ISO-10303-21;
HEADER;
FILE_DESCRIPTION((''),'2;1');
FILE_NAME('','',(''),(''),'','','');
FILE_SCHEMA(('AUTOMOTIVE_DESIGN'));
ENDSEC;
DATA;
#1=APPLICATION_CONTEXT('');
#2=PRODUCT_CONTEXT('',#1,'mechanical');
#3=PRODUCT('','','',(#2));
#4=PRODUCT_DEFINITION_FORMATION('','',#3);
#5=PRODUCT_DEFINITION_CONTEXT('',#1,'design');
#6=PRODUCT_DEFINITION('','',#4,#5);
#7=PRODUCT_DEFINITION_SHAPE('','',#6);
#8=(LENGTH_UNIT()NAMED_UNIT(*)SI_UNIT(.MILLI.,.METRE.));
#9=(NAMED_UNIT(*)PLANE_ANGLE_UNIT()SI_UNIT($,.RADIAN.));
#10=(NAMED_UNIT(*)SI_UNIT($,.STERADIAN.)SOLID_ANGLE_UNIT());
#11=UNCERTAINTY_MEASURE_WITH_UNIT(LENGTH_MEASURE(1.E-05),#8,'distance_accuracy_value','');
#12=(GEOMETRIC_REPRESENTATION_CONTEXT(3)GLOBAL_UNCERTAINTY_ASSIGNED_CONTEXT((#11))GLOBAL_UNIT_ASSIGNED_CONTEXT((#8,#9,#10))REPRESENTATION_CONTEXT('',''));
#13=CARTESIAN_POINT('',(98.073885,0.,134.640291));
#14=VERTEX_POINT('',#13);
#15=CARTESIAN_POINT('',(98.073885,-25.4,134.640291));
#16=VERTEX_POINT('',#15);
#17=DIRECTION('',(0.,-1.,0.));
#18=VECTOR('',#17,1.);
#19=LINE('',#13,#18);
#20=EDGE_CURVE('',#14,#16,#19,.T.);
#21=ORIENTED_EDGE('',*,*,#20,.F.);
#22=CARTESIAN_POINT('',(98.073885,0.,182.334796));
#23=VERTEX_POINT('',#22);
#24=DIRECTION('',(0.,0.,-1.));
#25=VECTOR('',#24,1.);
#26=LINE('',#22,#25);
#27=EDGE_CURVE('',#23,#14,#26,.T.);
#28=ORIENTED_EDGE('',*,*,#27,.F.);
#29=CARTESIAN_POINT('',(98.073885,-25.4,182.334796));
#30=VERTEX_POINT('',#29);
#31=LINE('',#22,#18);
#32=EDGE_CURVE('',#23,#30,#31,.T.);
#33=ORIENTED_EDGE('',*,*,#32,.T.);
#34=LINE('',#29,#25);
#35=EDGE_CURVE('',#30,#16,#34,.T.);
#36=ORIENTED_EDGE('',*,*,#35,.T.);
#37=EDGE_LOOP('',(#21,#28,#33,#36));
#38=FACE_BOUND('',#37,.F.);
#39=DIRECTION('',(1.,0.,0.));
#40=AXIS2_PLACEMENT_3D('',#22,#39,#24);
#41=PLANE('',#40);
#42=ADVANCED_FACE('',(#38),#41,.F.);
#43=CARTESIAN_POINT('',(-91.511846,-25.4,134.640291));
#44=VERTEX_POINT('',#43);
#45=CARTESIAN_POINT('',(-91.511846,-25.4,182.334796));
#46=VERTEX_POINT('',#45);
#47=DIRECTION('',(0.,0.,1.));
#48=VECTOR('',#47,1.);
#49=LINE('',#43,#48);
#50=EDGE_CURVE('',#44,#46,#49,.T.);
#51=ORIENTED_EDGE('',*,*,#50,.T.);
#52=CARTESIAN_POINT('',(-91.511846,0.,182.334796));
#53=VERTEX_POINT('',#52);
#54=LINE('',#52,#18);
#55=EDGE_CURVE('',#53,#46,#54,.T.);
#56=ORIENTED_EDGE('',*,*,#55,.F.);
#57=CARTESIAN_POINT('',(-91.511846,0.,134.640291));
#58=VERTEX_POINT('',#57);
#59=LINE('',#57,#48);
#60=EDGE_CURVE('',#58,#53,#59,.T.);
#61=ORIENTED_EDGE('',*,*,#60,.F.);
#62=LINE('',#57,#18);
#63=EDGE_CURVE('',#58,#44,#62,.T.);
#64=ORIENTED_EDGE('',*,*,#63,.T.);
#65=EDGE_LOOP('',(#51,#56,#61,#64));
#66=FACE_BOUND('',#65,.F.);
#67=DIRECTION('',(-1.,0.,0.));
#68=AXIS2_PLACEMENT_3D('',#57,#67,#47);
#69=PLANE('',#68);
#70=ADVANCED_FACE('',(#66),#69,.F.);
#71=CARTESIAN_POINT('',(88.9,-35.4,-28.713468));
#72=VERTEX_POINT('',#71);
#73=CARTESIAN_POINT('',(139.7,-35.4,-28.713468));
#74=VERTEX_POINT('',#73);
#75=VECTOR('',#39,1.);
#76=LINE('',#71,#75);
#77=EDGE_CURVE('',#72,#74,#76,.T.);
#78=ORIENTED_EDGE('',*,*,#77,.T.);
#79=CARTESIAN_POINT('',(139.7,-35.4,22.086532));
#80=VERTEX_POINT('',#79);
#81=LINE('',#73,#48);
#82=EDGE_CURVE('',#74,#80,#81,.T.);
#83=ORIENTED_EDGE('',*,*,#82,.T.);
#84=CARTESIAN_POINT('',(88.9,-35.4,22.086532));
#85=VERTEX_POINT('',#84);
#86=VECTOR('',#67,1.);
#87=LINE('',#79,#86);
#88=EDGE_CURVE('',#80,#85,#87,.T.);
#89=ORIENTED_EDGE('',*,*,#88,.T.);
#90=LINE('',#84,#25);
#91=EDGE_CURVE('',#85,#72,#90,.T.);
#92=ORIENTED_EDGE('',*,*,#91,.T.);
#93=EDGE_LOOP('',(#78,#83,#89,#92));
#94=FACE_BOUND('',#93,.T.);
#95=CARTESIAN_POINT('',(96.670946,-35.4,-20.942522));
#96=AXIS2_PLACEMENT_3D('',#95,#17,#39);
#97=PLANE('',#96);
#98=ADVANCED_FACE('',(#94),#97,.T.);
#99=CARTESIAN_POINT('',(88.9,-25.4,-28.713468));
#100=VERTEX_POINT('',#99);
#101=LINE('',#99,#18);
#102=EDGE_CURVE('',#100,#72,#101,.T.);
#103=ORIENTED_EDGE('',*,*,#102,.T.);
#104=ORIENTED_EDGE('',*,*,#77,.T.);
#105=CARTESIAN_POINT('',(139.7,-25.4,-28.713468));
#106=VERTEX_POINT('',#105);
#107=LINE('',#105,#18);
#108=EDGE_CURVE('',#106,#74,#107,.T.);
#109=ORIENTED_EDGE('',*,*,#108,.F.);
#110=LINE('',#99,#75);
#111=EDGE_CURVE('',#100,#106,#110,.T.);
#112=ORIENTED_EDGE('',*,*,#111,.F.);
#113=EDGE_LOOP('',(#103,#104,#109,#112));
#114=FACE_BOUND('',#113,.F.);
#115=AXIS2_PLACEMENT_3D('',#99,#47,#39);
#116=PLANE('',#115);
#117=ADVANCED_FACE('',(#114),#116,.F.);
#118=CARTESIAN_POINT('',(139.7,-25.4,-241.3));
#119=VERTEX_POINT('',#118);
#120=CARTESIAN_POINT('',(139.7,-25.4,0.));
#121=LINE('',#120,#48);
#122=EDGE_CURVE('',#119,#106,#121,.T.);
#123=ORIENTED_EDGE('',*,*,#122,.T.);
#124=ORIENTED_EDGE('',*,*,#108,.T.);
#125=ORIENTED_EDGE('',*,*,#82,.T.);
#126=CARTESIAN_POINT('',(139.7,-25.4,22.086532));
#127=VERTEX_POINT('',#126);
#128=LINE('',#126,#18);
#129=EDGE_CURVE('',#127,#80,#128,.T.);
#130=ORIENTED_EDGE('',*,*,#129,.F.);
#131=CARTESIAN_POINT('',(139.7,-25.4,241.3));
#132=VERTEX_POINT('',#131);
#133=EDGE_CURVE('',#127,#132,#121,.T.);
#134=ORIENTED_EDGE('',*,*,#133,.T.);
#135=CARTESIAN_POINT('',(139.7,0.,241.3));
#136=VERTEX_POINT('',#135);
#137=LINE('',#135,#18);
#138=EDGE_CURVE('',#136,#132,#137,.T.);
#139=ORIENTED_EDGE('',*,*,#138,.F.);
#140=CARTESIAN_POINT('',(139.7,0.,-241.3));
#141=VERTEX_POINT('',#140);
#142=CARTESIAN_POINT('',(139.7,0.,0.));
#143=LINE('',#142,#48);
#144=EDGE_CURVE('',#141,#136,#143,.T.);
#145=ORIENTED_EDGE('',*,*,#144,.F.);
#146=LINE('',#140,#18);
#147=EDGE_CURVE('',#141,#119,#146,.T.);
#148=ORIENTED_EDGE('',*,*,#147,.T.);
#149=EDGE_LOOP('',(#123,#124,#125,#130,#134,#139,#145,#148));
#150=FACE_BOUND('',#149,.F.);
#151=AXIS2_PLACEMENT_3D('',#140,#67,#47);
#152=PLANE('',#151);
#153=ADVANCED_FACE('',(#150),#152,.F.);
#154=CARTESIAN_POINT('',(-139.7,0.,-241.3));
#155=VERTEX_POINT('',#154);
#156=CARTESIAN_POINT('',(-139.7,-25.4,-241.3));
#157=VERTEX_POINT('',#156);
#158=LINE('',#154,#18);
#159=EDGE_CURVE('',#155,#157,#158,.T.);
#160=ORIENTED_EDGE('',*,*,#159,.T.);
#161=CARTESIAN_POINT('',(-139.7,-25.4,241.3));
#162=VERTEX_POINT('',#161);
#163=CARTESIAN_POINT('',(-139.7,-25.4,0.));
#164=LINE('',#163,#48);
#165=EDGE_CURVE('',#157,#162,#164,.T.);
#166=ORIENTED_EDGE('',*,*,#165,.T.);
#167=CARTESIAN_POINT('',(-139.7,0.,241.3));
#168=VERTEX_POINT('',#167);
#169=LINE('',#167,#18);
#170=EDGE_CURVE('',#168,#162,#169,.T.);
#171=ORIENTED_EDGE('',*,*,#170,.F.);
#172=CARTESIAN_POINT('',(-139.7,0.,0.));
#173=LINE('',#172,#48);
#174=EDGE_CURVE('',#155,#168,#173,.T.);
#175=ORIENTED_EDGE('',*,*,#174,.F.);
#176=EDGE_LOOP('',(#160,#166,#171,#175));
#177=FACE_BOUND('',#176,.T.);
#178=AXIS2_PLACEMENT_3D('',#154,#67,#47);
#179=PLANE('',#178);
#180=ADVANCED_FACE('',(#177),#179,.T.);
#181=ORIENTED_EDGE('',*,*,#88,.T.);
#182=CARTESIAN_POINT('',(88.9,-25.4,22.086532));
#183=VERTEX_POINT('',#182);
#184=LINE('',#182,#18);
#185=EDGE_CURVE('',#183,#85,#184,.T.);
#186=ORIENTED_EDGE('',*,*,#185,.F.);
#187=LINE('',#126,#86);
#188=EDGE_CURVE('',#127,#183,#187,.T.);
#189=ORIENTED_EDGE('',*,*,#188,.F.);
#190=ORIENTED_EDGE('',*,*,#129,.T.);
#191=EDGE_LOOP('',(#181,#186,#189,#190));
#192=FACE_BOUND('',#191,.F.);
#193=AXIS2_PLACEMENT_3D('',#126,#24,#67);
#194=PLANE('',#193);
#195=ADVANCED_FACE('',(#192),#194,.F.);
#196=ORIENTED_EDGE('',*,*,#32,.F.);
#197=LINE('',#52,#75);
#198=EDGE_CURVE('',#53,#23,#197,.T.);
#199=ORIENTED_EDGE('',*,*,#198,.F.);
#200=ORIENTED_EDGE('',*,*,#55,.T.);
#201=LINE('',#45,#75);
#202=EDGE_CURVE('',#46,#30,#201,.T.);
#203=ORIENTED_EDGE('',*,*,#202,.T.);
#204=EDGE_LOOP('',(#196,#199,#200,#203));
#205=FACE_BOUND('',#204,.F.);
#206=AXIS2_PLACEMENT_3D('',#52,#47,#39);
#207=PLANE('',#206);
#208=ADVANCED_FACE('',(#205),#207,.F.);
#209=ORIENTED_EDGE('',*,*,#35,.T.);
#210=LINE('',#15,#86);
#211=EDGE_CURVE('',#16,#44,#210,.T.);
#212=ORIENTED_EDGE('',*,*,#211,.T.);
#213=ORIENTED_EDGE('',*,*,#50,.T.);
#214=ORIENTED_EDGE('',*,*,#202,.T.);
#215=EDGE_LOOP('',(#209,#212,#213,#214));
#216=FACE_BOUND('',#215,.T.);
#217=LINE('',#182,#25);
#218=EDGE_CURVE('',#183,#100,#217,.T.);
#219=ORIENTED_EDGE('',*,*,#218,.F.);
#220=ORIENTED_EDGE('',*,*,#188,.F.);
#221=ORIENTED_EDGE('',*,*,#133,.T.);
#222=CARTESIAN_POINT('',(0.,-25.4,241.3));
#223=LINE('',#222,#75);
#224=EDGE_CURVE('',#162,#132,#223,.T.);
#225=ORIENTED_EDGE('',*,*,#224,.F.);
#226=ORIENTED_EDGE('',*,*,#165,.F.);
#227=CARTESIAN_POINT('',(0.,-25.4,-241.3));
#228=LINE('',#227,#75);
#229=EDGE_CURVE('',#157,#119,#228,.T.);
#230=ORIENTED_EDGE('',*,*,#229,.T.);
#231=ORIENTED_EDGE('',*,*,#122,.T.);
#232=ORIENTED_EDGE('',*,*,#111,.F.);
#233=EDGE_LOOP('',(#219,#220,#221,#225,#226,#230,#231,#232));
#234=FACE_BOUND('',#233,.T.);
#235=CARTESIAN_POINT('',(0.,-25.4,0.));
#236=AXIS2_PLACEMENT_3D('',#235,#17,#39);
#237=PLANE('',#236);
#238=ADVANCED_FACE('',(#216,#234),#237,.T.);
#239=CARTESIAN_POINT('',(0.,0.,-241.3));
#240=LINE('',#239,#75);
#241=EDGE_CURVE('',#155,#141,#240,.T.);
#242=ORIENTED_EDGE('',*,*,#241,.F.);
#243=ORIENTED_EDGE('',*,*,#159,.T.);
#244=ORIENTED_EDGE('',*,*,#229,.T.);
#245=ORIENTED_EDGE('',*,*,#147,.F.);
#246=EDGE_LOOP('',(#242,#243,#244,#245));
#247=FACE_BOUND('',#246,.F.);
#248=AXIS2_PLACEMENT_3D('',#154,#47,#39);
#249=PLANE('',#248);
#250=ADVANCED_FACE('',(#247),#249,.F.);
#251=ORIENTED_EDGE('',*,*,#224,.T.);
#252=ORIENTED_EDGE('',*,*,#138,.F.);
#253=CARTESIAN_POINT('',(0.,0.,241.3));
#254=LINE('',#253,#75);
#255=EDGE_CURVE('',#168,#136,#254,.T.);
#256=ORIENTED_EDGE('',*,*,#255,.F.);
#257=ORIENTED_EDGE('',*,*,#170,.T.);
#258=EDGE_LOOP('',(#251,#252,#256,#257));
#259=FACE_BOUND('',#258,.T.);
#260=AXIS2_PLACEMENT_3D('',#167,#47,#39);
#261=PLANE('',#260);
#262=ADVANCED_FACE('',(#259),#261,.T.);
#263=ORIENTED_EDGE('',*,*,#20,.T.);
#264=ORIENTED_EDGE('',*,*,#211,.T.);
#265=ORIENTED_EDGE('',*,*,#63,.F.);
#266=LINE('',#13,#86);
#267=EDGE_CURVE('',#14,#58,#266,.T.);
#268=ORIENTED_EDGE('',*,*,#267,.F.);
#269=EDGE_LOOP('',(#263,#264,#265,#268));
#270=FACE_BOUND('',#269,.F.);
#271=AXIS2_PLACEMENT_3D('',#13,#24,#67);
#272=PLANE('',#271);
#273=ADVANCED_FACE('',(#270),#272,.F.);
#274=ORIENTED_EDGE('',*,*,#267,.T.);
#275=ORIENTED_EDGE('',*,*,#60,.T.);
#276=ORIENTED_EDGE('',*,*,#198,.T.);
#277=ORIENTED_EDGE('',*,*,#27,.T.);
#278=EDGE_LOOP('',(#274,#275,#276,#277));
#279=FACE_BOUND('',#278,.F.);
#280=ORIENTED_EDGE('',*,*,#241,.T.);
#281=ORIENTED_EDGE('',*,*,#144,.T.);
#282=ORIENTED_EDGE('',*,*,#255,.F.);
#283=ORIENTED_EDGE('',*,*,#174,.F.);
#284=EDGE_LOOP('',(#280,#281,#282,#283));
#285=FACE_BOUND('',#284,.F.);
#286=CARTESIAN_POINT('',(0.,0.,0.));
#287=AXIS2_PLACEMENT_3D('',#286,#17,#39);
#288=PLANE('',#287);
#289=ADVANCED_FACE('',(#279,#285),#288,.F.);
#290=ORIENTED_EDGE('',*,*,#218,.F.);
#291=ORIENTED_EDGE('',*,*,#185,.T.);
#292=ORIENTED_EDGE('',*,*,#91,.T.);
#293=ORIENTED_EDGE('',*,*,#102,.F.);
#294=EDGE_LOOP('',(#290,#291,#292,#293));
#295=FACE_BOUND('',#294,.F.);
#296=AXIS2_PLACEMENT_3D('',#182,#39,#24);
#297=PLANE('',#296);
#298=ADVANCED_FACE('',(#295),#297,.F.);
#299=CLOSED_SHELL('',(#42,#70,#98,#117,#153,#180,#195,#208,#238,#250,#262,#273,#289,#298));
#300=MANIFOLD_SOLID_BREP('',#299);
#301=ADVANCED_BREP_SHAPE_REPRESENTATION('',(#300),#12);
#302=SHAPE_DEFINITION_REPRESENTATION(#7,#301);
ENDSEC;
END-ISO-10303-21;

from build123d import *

# Parameters (mm, degrees)
F0_W     = 279.4
F0_H     = 482.6
F1_DEPTH = 25.4
F3_DEPTH = 10


with BuildPart() as f1:
    # F0 (on Front) → F1 (new body)
    with BuildSketch(Plane.XZ):
        Rectangle(F0_W, F0_H)
        Polygon((-91.511846, 158.487543), (-91.511846, 182.334796), (98.073885, 182.334796), (98.073885, 158.487543), (98.073885, 134.640291), (-91.511846, 134.640291), align=None, mode=Mode.SUBTRACT)
    extrude(amount=F1_DEPTH)

    # F2 (on face) → F3 (join)
    with BuildSketch(Plane.XZ.offset(25.4)):
        with BuildLine():
            ThreePointArc((114.3, -28.713468), (96.339488, -21.273981), (88.9, -3.313468))
            Line((88.9, -3.313468), (88.9, -28.713468))
            Line((88.9, -28.713468), (114.3, -28.713468))
        make_face()
        with BuildLine():
            Line((139.7, -28.713468), (139.7, -3.313468))
            ThreePointArc((139.7, -3.313468), (132.260512, -21.273981), (114.3, -28.713468))
            Line((114.3, -28.713468), (139.7, -28.713468))
        make_face()
        with BuildLine():
            ThreePointArc((88.9, -3.313468), (96.339488, 14.647044), (114.3, 22.086532))
            Line((114.3, 22.086532), (88.9, 22.086532))
            Line((88.9, 22.086532), (88.9, -3.313468))
        make_face()
        with BuildLine():
            ThreePointArc((139.7, -3.313468), (132.260512, 14.647044), (114.3, 22.086532))
            ThreePointArc((114.3, 22.086532), (96.339488, 14.647044), (88.9, -3.313468))
            ThreePointArc((88.9, -3.313468), (96.339488, -21.273981), (114.3, -28.713468))
            ThreePointArc((114.3, -28.713468), (132.260512, -21.273981), (139.7, -3.313468))
        make_face()
        with BuildLine():
            Line((139.7, -3.313468), (139.7, 22.086532))
            Line((139.7, 22.086532), (114.3, 22.086532))
            ThreePointArc((114.3, 22.086532), (132.260512, 14.647044), (139.7, -3.313468))
        make_face()
    extrude(amount=F3_DEPTH)


solid = f1.part
